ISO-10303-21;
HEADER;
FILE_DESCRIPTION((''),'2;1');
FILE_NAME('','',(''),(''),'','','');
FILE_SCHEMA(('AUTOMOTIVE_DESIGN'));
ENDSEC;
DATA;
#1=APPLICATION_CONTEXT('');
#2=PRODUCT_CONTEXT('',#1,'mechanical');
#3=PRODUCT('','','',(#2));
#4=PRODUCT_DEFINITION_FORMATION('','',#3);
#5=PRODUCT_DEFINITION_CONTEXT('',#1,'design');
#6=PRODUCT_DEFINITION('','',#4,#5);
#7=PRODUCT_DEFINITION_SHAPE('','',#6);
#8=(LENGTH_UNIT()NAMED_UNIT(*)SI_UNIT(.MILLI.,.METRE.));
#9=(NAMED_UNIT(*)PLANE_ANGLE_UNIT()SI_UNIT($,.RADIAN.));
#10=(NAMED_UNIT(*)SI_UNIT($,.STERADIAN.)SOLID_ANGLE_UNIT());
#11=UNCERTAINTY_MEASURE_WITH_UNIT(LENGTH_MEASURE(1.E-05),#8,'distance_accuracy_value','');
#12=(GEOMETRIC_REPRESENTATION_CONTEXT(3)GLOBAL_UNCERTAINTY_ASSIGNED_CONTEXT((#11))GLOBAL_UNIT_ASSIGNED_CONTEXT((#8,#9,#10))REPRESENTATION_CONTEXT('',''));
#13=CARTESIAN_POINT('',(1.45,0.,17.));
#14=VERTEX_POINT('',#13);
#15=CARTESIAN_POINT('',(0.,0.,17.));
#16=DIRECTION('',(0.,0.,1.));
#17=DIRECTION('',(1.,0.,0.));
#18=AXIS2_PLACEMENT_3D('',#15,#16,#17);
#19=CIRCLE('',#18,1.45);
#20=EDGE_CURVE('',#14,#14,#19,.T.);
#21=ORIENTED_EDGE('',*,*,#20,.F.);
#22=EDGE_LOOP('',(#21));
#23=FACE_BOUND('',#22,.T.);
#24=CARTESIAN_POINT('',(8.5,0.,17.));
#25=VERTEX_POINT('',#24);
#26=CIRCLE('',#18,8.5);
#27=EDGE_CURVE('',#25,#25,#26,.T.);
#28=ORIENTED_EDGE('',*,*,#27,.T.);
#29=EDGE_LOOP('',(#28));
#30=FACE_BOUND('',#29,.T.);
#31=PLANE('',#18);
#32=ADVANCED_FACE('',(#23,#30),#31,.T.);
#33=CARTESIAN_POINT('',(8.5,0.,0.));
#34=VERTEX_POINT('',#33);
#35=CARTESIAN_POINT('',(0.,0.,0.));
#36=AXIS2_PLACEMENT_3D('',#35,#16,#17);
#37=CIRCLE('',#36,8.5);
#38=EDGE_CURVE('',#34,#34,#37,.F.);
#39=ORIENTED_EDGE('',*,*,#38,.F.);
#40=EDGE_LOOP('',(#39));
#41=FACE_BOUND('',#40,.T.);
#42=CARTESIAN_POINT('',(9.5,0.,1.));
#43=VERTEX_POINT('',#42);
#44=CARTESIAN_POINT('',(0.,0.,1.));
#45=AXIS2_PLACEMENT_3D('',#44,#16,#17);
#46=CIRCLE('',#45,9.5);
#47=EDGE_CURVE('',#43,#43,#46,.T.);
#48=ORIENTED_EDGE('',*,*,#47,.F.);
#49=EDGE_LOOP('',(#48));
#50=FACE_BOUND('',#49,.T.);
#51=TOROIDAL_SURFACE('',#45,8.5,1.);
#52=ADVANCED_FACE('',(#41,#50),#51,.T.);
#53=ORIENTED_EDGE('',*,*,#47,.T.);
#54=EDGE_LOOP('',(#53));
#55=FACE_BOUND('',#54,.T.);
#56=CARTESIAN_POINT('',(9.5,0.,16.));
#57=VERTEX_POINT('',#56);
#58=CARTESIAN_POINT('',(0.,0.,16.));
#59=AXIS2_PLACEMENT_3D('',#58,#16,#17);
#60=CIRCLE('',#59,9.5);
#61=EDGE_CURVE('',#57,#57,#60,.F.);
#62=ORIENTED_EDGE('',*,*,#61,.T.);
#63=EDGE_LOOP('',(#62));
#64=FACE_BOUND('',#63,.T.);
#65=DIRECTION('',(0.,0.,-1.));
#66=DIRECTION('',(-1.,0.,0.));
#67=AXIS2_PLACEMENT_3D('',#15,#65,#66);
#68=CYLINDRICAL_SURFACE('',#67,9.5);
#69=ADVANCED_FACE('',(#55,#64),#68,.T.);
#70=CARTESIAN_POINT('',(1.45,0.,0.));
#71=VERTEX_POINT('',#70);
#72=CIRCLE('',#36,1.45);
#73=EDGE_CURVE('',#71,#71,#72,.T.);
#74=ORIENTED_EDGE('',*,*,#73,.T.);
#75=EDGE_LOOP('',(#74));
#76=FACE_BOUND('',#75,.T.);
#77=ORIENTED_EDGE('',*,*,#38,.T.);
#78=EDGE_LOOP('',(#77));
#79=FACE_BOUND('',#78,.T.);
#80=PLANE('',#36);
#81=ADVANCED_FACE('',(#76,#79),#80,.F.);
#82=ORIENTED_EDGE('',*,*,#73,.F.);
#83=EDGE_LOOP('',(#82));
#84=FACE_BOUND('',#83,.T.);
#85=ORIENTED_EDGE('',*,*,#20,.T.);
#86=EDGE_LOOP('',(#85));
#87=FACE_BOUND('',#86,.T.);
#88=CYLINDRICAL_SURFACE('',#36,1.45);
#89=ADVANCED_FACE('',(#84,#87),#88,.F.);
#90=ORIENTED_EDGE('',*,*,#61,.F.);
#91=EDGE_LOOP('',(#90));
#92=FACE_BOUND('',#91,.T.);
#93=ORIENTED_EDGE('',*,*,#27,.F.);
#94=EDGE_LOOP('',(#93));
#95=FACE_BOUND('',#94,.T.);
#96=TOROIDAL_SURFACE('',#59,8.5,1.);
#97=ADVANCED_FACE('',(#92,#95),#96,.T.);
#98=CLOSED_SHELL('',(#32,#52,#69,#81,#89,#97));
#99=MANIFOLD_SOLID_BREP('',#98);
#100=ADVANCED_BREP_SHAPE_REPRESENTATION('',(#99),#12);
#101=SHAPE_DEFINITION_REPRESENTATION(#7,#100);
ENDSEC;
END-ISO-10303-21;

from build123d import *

# Parameters (mm, degrees)
SKETCH1_R           = 9.5
BOSS_EXTRUDE1_DEPTH = 17
FILLET1_R           = 1
SKETCH2_R           = 1.45
CUT_EXTRUDE1_DEPTH  = 17


with BuildPart() as part:
    # Sketch1 → Boss-Extrude1 (new body)
    with BuildSketch(Plane.XY):
        Circle(SKETCH1_R)
    extrude(amount=BOSS_EXTRUDE1_DEPTH)

    # Fillet1
    fillet1_edges = [part.edges().sort_by_distance(p)[0] for p in [
        (-9.5, 0, 0),
        (-9.5, 0, 17),
    ]]
    fillet(fillet1_edges, radius=FILLET1_R)

    # Sketch2 → Cut-Extrude1 (cut)
    with BuildSketch(Plane.XY.offset(17)):
        Circle(SKETCH2_R)
    extrude(amount=-CUT_EXTRUDE1_DEPTH, mode=Mode.SUBTRACT)


solid = part.part
